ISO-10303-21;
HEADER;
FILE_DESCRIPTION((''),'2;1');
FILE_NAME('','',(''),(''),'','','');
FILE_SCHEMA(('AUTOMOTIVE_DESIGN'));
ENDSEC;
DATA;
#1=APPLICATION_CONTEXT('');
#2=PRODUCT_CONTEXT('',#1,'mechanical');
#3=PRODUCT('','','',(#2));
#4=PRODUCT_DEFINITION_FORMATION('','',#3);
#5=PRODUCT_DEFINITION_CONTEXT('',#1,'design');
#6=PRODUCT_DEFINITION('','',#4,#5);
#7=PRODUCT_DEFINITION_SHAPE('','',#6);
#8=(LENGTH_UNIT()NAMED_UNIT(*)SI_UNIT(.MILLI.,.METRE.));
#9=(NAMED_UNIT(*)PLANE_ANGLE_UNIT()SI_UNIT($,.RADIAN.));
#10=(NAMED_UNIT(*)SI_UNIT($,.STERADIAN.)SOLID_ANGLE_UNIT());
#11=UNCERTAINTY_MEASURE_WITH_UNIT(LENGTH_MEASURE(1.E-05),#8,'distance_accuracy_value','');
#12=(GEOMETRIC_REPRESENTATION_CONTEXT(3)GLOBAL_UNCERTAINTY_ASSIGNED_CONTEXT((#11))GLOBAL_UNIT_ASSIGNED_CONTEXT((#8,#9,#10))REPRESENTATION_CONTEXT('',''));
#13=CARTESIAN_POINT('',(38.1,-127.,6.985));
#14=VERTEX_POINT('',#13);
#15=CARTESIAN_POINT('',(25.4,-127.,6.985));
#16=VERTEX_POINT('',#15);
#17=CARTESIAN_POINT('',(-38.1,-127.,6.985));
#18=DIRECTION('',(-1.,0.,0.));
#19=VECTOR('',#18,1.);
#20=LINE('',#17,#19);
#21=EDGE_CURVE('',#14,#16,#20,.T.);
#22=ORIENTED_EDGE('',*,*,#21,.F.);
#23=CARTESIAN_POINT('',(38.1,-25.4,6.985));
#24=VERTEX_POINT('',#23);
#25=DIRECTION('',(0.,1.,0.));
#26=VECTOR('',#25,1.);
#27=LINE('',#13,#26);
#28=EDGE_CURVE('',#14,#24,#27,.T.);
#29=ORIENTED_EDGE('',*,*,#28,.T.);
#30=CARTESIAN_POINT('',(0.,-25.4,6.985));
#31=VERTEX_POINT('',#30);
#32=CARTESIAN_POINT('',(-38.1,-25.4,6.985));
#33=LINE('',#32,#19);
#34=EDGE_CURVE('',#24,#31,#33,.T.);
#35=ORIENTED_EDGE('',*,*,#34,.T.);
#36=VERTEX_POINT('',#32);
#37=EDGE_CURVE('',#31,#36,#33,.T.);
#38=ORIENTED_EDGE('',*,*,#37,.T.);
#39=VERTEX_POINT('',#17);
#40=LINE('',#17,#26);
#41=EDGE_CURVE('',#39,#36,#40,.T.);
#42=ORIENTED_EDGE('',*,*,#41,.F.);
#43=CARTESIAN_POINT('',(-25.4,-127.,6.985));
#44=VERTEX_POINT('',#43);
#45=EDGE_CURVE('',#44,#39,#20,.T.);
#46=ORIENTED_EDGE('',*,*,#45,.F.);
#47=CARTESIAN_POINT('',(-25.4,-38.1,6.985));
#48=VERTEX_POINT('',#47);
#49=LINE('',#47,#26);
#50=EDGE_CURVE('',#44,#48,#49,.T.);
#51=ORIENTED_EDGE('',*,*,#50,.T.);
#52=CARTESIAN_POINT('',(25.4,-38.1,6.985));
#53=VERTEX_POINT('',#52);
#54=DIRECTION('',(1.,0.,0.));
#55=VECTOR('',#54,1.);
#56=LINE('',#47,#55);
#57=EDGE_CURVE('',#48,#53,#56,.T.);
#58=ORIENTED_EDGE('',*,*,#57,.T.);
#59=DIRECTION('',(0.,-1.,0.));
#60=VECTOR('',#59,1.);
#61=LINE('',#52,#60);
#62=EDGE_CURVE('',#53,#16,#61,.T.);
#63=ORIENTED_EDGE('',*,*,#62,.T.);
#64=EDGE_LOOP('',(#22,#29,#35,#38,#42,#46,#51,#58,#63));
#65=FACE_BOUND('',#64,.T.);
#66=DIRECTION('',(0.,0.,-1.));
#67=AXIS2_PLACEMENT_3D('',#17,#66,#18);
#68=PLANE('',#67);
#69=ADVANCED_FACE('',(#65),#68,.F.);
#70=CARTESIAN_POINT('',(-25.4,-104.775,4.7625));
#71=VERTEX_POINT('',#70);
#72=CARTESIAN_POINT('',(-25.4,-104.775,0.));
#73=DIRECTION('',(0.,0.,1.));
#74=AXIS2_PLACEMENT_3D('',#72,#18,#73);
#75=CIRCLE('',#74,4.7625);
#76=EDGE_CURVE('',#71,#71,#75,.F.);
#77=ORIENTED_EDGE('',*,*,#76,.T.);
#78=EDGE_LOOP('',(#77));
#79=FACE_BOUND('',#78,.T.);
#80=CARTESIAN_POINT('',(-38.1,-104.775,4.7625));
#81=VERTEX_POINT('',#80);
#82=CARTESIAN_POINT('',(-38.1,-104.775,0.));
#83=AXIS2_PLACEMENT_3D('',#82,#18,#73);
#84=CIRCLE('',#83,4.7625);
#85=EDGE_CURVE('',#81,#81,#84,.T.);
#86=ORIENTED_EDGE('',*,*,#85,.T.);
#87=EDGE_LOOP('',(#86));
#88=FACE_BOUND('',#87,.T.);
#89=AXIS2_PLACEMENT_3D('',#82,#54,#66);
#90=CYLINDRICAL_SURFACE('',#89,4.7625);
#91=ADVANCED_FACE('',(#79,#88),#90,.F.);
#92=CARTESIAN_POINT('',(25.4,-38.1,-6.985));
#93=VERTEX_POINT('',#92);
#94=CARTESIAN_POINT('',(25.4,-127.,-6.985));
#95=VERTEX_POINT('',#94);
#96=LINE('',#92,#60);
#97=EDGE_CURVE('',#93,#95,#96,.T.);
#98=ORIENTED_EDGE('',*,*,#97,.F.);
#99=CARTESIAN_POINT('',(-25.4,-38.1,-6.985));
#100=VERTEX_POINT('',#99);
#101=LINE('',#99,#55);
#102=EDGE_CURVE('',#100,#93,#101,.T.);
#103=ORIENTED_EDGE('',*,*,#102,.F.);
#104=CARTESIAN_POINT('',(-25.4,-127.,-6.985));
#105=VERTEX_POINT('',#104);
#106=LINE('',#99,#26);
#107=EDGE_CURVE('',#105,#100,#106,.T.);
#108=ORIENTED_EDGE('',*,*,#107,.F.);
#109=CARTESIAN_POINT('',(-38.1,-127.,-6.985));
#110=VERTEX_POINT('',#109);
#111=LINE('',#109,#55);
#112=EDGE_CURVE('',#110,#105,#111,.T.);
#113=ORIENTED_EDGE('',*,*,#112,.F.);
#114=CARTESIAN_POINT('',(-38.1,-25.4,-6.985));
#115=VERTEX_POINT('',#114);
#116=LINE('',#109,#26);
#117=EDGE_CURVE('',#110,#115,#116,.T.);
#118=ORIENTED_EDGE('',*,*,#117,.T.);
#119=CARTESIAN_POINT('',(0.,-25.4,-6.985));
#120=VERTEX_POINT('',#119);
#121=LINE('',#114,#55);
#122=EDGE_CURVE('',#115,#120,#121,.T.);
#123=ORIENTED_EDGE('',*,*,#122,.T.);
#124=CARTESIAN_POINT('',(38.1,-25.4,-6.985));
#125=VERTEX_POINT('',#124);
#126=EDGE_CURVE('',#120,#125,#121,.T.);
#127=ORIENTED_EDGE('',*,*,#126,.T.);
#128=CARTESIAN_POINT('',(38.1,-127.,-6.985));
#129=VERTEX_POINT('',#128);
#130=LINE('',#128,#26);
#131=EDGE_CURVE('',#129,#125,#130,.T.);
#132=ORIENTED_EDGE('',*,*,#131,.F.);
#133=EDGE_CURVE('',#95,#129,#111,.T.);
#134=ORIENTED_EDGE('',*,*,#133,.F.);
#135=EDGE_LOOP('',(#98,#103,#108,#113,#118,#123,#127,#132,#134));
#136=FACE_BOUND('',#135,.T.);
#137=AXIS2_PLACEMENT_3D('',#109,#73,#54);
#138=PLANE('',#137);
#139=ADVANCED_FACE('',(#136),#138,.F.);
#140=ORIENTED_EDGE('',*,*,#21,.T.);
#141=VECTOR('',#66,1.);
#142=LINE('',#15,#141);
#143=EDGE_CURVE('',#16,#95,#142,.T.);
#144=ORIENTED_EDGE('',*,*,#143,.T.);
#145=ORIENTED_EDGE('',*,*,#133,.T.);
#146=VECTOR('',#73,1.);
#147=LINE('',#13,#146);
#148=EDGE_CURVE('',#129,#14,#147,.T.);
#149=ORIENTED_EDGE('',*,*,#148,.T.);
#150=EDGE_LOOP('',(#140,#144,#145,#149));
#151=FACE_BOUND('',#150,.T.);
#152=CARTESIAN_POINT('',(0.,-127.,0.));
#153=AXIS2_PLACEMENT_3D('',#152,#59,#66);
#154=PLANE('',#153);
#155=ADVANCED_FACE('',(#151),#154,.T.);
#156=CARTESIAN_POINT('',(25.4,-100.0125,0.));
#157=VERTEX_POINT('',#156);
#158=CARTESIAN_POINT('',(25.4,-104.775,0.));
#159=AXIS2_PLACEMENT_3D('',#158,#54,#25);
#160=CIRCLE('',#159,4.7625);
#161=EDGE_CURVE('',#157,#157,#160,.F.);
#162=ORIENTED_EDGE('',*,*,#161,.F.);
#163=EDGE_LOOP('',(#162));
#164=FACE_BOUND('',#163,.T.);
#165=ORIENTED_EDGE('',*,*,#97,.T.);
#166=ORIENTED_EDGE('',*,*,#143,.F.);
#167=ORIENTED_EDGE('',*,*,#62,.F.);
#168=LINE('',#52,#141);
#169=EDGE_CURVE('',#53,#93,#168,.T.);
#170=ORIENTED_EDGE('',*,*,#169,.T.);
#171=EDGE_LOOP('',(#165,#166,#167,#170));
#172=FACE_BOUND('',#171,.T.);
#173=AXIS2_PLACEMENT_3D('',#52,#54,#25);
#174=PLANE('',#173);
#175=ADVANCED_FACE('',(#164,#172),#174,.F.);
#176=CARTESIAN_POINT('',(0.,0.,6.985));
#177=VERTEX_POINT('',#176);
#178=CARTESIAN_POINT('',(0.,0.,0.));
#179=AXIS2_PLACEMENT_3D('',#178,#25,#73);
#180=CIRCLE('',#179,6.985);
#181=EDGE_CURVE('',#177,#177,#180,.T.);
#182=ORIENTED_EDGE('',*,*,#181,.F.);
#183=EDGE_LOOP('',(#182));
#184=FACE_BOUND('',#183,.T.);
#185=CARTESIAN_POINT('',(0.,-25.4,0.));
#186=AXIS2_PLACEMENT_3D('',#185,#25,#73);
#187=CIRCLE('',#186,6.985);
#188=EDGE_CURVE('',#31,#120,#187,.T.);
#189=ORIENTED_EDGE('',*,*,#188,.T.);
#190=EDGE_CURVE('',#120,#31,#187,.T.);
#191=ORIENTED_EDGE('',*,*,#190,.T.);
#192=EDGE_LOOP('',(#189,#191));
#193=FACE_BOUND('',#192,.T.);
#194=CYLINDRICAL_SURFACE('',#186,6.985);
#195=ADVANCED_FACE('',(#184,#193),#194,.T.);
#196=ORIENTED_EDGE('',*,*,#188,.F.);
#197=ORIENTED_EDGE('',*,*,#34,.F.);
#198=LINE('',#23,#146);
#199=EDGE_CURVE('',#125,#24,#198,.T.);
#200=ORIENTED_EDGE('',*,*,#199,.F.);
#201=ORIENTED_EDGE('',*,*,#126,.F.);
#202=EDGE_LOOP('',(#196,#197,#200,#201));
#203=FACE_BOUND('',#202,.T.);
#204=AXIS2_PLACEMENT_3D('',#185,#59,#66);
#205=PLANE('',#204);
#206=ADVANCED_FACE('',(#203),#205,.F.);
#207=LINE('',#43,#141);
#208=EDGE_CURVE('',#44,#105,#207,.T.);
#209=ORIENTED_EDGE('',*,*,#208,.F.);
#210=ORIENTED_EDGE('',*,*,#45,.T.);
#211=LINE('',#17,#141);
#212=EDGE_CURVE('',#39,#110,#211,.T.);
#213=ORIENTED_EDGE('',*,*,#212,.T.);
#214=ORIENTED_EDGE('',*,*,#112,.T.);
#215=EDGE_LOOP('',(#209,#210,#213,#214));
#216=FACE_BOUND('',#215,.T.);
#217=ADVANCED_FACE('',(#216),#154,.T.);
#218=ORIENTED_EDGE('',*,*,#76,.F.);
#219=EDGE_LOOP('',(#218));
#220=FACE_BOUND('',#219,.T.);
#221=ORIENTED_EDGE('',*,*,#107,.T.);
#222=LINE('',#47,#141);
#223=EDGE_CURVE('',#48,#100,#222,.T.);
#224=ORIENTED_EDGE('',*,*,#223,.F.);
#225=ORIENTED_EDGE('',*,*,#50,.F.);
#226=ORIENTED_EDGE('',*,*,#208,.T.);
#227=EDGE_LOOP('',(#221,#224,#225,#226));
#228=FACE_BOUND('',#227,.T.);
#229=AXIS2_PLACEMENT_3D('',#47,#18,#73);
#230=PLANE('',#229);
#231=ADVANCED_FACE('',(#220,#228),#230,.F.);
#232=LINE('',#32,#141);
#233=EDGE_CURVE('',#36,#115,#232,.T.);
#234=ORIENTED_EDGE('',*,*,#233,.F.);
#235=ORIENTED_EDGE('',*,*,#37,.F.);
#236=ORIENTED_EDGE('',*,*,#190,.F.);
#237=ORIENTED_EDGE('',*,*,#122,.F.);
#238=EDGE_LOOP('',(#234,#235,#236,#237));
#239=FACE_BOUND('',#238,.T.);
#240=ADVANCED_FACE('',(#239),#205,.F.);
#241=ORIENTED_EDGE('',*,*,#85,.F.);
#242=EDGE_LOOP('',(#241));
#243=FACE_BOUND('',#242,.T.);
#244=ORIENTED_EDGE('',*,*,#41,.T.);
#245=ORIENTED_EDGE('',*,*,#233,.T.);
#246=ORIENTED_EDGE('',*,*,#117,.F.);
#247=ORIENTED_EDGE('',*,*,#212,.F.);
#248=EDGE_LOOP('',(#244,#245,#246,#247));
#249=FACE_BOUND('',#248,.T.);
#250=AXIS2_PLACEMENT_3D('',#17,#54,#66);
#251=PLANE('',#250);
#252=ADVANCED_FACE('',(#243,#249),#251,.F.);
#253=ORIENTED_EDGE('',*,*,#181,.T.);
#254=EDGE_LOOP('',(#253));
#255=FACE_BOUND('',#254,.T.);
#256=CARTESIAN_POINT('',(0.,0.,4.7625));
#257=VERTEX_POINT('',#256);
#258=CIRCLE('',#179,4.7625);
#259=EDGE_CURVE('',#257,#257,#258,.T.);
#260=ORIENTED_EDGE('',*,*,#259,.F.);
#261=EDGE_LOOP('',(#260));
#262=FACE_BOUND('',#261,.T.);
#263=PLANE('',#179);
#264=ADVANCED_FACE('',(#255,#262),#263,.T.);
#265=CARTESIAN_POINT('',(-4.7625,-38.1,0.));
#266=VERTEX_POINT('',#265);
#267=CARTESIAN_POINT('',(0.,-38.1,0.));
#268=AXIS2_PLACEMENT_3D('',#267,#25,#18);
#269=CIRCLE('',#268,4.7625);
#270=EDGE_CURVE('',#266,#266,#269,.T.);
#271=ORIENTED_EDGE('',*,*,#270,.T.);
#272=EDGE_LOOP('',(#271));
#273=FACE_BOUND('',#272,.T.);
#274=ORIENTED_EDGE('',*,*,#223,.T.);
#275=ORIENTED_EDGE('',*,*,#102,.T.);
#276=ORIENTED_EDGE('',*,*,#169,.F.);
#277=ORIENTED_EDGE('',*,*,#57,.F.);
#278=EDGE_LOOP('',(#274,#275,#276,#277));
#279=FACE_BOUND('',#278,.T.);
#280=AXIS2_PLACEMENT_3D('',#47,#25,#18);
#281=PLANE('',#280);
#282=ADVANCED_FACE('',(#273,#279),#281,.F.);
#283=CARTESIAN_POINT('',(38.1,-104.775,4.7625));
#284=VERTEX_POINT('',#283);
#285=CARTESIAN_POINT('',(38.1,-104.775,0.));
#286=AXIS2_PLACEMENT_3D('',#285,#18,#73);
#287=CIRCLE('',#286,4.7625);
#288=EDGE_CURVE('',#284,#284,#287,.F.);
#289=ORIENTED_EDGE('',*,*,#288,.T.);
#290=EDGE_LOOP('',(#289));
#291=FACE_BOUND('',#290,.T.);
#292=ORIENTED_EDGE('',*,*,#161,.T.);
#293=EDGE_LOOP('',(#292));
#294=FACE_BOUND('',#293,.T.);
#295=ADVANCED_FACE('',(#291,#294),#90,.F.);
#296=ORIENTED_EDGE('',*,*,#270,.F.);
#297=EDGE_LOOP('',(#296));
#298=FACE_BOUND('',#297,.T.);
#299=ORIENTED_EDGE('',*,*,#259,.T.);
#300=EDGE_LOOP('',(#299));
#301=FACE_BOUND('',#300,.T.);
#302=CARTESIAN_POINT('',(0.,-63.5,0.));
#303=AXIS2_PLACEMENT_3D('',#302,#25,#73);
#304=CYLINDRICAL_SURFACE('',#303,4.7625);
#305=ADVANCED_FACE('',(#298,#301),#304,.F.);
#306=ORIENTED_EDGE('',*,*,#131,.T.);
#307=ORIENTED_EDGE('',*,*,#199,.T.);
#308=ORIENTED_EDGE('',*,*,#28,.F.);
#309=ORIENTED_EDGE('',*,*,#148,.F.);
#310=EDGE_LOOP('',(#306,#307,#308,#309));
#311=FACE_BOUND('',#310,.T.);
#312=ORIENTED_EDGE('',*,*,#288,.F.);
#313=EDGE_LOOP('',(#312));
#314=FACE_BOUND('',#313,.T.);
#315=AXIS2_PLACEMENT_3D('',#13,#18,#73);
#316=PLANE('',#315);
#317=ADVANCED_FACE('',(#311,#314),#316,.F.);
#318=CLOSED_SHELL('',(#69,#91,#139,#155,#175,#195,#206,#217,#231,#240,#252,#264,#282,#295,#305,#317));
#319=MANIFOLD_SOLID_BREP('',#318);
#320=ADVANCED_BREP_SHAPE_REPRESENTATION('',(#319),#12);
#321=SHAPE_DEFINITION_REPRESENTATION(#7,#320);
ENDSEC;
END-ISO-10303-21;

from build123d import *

# Parameters (mm, degrees)
SKETCH1_R               = 6.985
BOSS_EXTRUDE1_DEPTH     = 25.4
SKETCH3_R               = 4.7625
CUT_EXTRUDE1_DEPTH      = 63.5
SKETCH5_W               = 76.2
SKETCH5_H               = 13.97
BOSS_EXTRUDE2_DEPTH     = 101.6
SKETCH6_W               = 50.8
SKETCH6_H               = 88.9
CUT_EXTRUDE2_DEPTH      = 134.325807329
SKETCH7_R               = 4.7625
CUT_EXTRUDE3_DEPTH      = 133.775751645
CUT_EXTRUDE4_DEPTH      = 143.162021036
CUT_EXTRUDE4_DEPTH_BACK = 19.05
SKETCH8_R               = 4.7625


with BuildPart() as part:
    # Sketch1 → Boss-Extrude1 (new body)
    with BuildSketch(Plane(origin=(0, 0, 0), x_dir=(1, 0, 0), z_dir=(0, 1, 0))):
        with Locations(Location((0, 0, 0), (0, 0, 270))):
            Circle(SKETCH1_R)
    extrude(amount=-BOSS_EXTRUDE1_DEPTH)

    # Sketch3 → Cut-Extrude1 (cut)
    with BuildSketch(Plane(origin=(0, 0, 0), x_dir=(1, 0, 0), z_dir=(0, 1, 0))):
        with Locations(Location((0, 0, 0), (0, 0, 270))):
            Circle(SKETCH3_R)
    extrude(amount=-CUT_EXTRUDE1_DEPTH, mode=Mode.SUBTRACT)

    # Sketch5 → Boss-Extrude2 (add)
    with BuildSketch(Plane(origin=(0, -25.4, 0), x_dir=(-1, 0, 0), z_dir=(0, -1, 0))):
        Rectangle(SKETCH5_W, SKETCH5_H)
    extrude(amount=BOSS_EXTRUDE2_DEPTH)

    # Sketch6 → Cut-Extrude2 (cut, through all)
    with BuildSketch(Plane(origin=(0, 0, -6.985), x_dir=(-1, 0, 0), z_dir=(0, 0, -1))):
        with Locations((0, -82.55)):
            Rectangle(SKETCH6_W, SKETCH6_H)
    extrude(amount=-CUT_EXTRUDE2_DEPTH, mode=Mode.SUBTRACT)

    # Sketch7 → Cut-Extrude3 (cut, through all)
    with BuildSketch(Plane(origin=(0, 0, 0), x_dir=(1, 0, 0), z_dir=(0, 1, 0))):
        with Locations(Location((0, 0, 0), (0, 0, 270))):
            Circle(SKETCH7_R)
    extrude(amount=-CUT_EXTRUDE3_DEPTH, mode=Mode.SUBTRACT)

    # Sketch8 → Cut-Extrude4 (cut, two sides: drawn at the far end of the back side and taken through both)
    with BuildSketch(Plane.ZY.offset(-25.4).offset(-CUT_EXTRUDE4_DEPTH_BACK)):
        with Locations((0, -104.775)):
            Circle(SKETCH8_R)
    extrude(amount=CUT_EXTRUDE4_DEPTH + CUT_EXTRUDE4_DEPTH_BACK, mode=Mode.SUBTRACT)


solid = part.part
